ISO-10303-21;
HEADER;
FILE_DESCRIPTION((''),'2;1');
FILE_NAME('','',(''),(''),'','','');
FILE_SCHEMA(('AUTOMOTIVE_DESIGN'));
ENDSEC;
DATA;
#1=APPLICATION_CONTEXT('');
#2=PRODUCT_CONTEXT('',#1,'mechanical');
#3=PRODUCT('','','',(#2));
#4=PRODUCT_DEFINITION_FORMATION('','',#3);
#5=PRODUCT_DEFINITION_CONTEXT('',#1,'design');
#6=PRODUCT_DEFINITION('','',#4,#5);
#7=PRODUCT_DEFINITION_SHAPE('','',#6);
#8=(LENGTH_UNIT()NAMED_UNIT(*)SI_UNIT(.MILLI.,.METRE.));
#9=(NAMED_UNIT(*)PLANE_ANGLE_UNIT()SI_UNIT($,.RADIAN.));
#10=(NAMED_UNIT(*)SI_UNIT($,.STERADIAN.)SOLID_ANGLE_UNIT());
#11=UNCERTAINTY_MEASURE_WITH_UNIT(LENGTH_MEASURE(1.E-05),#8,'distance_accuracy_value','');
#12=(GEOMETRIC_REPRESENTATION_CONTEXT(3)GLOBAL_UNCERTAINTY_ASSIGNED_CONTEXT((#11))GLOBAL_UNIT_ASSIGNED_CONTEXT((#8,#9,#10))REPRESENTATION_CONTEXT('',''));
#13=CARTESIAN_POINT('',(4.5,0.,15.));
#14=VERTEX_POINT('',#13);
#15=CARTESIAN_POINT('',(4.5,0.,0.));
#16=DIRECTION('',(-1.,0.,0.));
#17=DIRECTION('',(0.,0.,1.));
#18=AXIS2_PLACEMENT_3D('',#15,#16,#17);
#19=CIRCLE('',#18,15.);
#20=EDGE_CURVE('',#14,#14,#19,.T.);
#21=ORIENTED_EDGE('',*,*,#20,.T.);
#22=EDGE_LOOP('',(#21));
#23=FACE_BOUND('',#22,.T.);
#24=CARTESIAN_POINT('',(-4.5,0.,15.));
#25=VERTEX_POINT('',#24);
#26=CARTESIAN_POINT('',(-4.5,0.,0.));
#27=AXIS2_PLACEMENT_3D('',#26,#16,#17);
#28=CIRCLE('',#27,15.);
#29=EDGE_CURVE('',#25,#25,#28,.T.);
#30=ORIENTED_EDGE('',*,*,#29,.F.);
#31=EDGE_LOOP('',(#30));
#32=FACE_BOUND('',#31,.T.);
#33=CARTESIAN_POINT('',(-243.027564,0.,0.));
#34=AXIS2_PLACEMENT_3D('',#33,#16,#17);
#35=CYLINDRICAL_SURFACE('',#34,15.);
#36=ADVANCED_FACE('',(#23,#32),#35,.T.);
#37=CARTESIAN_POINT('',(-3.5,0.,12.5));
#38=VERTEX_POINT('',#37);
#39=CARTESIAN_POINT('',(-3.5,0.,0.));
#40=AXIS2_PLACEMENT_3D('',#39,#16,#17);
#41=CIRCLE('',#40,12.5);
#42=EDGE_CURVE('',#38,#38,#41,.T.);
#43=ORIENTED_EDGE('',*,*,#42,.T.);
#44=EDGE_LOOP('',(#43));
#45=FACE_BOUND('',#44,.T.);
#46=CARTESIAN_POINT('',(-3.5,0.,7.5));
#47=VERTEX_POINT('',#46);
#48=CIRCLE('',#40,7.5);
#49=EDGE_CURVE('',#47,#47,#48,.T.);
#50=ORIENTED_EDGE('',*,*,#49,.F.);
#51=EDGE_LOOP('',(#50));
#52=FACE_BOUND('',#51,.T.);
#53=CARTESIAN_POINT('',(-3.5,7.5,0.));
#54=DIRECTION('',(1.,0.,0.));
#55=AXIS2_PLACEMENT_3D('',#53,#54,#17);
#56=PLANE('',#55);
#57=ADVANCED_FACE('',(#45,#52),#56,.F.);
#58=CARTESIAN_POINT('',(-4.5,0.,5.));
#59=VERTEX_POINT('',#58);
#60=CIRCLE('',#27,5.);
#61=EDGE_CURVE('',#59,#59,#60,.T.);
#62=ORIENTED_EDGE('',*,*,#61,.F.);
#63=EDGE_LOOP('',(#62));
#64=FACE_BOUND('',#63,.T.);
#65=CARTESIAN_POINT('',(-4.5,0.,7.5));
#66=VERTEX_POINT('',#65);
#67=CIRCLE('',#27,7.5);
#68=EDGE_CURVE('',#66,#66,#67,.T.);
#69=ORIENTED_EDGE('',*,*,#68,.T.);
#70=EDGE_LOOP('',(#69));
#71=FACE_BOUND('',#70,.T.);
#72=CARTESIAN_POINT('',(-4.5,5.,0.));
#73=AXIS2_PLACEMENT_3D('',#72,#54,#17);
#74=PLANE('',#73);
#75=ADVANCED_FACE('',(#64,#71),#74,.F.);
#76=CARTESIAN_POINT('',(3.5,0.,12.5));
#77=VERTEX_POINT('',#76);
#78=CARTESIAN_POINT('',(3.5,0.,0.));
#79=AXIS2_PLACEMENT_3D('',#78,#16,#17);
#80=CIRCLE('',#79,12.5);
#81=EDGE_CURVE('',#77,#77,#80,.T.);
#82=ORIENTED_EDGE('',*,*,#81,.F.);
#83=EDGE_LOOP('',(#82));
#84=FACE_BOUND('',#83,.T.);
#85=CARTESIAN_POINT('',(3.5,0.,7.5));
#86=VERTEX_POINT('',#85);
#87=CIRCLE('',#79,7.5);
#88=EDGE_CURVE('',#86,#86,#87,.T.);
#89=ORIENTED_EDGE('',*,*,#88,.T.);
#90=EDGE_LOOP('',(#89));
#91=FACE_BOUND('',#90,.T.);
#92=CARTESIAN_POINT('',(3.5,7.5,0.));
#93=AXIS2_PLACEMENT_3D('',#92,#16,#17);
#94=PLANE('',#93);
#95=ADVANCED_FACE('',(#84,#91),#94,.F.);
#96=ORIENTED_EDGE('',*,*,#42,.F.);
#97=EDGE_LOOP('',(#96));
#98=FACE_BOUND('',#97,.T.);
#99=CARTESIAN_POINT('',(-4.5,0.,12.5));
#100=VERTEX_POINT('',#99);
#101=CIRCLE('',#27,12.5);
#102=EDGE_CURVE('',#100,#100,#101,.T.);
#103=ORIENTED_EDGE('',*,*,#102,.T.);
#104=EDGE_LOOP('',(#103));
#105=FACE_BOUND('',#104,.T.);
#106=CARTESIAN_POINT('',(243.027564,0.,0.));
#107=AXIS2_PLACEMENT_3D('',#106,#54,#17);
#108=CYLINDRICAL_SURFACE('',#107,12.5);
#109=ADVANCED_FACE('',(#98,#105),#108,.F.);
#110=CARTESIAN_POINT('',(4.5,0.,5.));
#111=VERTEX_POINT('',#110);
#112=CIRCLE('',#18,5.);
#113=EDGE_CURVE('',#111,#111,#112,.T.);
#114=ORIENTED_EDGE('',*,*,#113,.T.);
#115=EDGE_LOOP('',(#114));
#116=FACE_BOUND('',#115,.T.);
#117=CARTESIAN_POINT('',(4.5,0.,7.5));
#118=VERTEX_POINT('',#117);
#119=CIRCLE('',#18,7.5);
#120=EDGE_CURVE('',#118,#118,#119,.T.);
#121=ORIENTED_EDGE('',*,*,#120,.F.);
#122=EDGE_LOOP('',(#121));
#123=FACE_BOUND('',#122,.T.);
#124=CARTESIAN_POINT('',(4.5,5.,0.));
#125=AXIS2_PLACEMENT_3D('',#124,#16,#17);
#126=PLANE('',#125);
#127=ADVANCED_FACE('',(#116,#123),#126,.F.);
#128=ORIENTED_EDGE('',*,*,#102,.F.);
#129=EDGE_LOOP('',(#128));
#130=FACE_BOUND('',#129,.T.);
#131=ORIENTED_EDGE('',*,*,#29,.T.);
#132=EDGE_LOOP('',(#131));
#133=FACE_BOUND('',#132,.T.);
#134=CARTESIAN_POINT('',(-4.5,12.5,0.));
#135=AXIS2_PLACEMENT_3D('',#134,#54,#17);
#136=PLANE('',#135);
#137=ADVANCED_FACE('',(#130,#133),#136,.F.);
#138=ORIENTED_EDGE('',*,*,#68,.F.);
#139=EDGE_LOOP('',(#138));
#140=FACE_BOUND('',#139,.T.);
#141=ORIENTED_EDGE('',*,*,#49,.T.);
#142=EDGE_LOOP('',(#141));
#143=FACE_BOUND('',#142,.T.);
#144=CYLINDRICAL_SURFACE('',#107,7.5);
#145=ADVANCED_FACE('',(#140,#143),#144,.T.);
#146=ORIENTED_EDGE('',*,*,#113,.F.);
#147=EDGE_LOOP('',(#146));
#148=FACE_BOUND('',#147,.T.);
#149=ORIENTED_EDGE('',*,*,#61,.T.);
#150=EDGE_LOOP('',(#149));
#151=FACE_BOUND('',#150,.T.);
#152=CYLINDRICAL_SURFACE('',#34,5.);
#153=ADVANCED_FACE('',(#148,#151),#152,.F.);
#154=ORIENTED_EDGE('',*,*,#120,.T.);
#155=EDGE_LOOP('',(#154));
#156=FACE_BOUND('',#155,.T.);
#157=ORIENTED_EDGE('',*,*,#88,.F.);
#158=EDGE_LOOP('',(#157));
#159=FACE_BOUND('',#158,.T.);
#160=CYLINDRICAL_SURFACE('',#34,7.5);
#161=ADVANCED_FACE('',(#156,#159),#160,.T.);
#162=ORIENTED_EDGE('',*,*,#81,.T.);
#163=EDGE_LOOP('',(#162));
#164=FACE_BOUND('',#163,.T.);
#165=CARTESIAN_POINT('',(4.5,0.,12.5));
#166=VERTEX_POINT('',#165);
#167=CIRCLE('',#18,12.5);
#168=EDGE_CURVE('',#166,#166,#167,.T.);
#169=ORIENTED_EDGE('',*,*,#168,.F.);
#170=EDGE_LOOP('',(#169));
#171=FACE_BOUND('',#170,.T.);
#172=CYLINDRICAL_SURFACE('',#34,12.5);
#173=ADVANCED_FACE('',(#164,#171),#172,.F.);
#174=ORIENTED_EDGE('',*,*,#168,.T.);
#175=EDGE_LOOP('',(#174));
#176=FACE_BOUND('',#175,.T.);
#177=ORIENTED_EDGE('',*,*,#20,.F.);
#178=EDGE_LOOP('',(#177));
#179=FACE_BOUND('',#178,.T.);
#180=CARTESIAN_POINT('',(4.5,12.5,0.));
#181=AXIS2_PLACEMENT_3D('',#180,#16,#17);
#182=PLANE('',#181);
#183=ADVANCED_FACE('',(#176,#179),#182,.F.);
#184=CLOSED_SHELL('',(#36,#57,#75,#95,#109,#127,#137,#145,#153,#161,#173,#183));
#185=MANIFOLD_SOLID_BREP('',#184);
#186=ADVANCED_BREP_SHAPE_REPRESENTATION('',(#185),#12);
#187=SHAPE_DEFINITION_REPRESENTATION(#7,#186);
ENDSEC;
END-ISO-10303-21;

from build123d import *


with BuildPart() as part:
    # Sketch1 → Revolve1 (revolve)
    with BuildSketch(Plane.XY, mode=Mode.PRIVATE) as revolve1_sk:
        Polygon((0, 5), (4.5, 5), (4.5, 7.5), (3.5, 7.5), (3.5, 12.5), (4.5, 12.5), (4.5, 15), (0, 15), align=None)
    revolve1 = revolve(revolve1_sk.sketch.rotate(Axis((-243.027564124, 0, 0), (1, 0, 0)), 90), axis=Axis((-243.027564124, 0, 0), (1, 0, 0)))

    # Mirror1: Revolve1 across Right Plane
    add(revolve1.mirror(Plane(origin=(0, 0, 0), x_dir=(0, 0, -1), z_dir=(1, 0, 0))))


solid = part.part
